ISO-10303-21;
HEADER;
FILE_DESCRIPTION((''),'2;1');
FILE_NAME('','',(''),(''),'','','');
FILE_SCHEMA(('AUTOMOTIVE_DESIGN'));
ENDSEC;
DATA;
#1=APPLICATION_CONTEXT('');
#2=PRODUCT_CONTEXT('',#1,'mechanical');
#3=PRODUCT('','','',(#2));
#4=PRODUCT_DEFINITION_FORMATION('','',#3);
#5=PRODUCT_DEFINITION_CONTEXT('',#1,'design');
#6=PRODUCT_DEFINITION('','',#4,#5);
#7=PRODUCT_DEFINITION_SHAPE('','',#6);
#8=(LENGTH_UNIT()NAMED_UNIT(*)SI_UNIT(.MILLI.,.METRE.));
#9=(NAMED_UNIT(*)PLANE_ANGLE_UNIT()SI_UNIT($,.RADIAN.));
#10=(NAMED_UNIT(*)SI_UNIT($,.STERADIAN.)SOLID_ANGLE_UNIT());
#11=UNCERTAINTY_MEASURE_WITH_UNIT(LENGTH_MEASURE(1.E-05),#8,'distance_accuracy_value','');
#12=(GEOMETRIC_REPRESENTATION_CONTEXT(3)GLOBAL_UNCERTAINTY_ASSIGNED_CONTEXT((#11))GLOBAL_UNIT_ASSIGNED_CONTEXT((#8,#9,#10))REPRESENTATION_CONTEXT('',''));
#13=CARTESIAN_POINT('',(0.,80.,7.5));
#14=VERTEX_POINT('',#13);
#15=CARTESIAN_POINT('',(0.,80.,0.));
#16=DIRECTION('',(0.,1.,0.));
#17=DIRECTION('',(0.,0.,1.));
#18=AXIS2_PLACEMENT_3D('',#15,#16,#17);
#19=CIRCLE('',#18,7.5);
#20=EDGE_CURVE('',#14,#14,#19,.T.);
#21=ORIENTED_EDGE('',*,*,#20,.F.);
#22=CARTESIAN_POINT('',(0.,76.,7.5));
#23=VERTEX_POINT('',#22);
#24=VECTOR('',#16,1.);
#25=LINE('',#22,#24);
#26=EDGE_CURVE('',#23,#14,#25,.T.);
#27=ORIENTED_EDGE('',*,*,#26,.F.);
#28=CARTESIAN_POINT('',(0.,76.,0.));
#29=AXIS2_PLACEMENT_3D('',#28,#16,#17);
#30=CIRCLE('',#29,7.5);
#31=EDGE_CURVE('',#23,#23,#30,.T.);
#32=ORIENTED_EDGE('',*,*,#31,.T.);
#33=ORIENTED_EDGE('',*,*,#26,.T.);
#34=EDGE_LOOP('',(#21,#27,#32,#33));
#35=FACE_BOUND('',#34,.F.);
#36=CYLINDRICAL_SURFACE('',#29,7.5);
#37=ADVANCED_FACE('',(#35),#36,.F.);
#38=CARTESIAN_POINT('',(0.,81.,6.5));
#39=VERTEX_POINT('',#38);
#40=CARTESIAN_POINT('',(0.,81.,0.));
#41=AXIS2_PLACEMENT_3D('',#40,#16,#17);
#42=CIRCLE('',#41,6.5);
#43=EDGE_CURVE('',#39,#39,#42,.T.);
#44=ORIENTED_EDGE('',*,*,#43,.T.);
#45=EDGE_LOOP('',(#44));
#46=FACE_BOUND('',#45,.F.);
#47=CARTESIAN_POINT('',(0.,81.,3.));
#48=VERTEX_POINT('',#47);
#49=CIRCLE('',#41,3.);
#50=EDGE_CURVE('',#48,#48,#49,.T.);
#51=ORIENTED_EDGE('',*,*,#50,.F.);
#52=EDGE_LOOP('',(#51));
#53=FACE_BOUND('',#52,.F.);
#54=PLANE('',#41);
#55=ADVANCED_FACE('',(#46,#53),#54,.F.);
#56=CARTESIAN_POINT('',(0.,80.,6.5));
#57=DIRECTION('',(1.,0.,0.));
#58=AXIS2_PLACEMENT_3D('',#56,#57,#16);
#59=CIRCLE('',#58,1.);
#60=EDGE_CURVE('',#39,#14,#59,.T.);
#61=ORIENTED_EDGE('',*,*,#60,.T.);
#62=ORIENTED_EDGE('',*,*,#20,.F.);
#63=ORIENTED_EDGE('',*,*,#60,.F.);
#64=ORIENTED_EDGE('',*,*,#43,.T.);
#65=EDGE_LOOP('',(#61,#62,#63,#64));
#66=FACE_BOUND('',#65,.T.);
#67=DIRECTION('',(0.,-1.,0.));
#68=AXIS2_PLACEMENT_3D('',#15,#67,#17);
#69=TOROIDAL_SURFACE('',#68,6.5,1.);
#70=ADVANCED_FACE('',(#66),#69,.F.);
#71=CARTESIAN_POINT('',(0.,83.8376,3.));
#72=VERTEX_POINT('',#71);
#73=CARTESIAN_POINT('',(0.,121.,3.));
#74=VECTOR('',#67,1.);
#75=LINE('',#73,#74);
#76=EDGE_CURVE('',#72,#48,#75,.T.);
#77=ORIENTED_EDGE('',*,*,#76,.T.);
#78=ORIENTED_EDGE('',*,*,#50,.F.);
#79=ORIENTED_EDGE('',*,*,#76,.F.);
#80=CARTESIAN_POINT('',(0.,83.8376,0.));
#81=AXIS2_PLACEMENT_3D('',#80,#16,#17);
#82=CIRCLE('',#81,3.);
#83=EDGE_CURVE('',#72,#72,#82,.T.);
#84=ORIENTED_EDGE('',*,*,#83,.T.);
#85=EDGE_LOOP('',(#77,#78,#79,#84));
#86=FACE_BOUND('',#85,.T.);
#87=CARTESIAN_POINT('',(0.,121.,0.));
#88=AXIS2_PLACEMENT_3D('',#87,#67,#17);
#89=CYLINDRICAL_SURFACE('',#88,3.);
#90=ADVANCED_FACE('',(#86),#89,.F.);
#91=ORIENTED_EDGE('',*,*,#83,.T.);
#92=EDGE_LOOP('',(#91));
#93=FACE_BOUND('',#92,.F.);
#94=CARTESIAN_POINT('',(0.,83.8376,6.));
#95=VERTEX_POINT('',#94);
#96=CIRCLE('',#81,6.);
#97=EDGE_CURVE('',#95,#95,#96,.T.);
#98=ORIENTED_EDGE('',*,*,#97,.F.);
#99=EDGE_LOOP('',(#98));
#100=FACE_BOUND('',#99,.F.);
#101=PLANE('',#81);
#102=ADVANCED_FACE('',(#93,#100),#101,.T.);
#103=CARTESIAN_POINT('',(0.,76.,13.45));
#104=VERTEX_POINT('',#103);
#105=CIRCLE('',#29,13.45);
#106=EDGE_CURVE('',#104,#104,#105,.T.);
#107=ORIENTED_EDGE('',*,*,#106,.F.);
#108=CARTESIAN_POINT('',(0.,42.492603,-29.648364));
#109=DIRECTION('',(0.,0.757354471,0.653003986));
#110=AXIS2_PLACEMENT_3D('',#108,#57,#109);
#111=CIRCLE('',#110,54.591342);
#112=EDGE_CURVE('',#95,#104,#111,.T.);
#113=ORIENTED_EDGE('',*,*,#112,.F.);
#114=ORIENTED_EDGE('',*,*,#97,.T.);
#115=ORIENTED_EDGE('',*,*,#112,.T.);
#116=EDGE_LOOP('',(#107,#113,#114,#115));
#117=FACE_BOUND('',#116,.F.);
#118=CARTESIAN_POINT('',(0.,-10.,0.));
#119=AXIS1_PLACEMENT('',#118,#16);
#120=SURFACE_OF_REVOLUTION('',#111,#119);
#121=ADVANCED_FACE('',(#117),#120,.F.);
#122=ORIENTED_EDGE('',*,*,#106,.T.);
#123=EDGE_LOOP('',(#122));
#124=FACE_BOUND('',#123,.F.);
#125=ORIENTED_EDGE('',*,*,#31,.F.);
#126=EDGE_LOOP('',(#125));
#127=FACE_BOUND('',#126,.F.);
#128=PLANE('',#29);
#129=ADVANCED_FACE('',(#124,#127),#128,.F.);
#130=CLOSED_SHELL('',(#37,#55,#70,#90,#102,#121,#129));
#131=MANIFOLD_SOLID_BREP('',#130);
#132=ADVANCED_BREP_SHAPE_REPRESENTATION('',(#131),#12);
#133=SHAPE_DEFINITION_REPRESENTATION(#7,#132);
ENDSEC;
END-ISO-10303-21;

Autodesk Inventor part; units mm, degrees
ref_plane "YZ Plane" through (0, 0, 0) normal (1, 0, 0) x (0, 1, 0)
ref_plane "XZ Plane" through (0, 0, 0) normal (0, 1, 0) x (-1, 0, 0)
ref_plane "XY Plane" through (0, 0, 0) normal (0, 0, 1) x (1, 0, 0)
sketch "Sketch1" plane through (0, 0, 0) normal (1, 0, 0) x (0, 1, 0)
  line L0 (121, 3) -> (1, 3)
  line L1 (1, 3) -> (1, -3)
  line L2 (1, -3) -> (121, -3)
  line L3 (121, -3) -> (121, 3)
  line L4 (121, 3) -> (1, -3) construction
  line L5 (1, 3) -> (121, -3) construction
  line L6 (10, 8.35) -> (0, 8.35)
  line L7 (0, 8.35) -> (0, 20)
  line L8 (10, 8.35) -> (10, 9.45)
  line L9 (10, 9.45) -> (16, 9.45)
  line L10 (16, 9.45) -> (16, 17)
  line L11 (16, 17) -> (18, 17)
  line L12 (18, 17) -> (18, 18.5)
  line L13 (18, 18.5) -> (16, 18.5)
  line L14 (16, 18.5) -> (16, 20)
  line L15 (16, 20) -> (0, 20)
  line L16 (-24.2, 0) -> (145.2, 0) projected
  line L17 (16, 20) -> (31, 20)
  line L18 (18, 17) -> (31, 17)
  line L19 (75, 9.45) -> (69, 9.45)
  line L20 (69, 9.45) -> (69, 8.35)
  line L21 (69, 8.35) -> (66, 8.35)
  line L22 (75, 9.45) -> (75, 12.45)
  arc A0 (75, 12.45) -> (31, 20) centre (31, -111.9869) ccw
  arc A1 (59.1084, 13.9001) -> (31, 17) centre (31, -111.9869) ccw
  arc A2 (66, 8.35) -> (59.1084, 13.9001) centre (56.9292, 4.1404) ccw
  line L23 (76, 13.45) -> (76, 7.5)
  line L24 (76, 7.5) -> (80, 7.5)
  line L25 (81, 6.5) -> (81, 3)
  arc A3 (81, 6.5) -> (80, 7.5) centre (80, 6.5) ccw
  line L26 (83.8376, 3) -> (83.8376, 6)
  arc A4 (83.8376, 6) -> (76, 13.45) centre (42.4933, -29.6477) ccw
  point P0 (0, 0)
  point P1 (61, 0)
  point P2 (61, 0)
  point P3 (81, 7.5)
  dimension "d0" = 120
  dimension "d1" = 6
  dimension "d5" = 8.35
  dimension "d6" = 9.45
  dimension "d7" = 1.5
  dimension "d8" = 1.5
  dimension "d9" = 20
  dimension "d10" = 6
  dimension "d11" = 2
  dimension "d13" = 10
  dimension "d14" = 1
  dimension "d15" = 6
  dimension "d16" = 3
  dimension "d17" = 9.45
  dimension "d18" = 3
  dimension "d19" = 8.35
  dimension "d20" = 15
  dimension "d21" = 7.55
  dimension "d22" = 75
  dimension "d23" = 10
  dimension "d25" = 5
  dimension "d26" = 1
  dimension "d27" = 7.5
  dimension "d28" = 1
  dimension "d32" = 6
  dimension "d33" = 1.5
  dimension "d34" = 1
revolve "Revolution2" add sketch "Sketch1" angle 360 about axis through (0, -10, 0) along (0, 1, 0) contours L0 L25 A3 L24 L23 A4 L26
properties part number "Cap"
